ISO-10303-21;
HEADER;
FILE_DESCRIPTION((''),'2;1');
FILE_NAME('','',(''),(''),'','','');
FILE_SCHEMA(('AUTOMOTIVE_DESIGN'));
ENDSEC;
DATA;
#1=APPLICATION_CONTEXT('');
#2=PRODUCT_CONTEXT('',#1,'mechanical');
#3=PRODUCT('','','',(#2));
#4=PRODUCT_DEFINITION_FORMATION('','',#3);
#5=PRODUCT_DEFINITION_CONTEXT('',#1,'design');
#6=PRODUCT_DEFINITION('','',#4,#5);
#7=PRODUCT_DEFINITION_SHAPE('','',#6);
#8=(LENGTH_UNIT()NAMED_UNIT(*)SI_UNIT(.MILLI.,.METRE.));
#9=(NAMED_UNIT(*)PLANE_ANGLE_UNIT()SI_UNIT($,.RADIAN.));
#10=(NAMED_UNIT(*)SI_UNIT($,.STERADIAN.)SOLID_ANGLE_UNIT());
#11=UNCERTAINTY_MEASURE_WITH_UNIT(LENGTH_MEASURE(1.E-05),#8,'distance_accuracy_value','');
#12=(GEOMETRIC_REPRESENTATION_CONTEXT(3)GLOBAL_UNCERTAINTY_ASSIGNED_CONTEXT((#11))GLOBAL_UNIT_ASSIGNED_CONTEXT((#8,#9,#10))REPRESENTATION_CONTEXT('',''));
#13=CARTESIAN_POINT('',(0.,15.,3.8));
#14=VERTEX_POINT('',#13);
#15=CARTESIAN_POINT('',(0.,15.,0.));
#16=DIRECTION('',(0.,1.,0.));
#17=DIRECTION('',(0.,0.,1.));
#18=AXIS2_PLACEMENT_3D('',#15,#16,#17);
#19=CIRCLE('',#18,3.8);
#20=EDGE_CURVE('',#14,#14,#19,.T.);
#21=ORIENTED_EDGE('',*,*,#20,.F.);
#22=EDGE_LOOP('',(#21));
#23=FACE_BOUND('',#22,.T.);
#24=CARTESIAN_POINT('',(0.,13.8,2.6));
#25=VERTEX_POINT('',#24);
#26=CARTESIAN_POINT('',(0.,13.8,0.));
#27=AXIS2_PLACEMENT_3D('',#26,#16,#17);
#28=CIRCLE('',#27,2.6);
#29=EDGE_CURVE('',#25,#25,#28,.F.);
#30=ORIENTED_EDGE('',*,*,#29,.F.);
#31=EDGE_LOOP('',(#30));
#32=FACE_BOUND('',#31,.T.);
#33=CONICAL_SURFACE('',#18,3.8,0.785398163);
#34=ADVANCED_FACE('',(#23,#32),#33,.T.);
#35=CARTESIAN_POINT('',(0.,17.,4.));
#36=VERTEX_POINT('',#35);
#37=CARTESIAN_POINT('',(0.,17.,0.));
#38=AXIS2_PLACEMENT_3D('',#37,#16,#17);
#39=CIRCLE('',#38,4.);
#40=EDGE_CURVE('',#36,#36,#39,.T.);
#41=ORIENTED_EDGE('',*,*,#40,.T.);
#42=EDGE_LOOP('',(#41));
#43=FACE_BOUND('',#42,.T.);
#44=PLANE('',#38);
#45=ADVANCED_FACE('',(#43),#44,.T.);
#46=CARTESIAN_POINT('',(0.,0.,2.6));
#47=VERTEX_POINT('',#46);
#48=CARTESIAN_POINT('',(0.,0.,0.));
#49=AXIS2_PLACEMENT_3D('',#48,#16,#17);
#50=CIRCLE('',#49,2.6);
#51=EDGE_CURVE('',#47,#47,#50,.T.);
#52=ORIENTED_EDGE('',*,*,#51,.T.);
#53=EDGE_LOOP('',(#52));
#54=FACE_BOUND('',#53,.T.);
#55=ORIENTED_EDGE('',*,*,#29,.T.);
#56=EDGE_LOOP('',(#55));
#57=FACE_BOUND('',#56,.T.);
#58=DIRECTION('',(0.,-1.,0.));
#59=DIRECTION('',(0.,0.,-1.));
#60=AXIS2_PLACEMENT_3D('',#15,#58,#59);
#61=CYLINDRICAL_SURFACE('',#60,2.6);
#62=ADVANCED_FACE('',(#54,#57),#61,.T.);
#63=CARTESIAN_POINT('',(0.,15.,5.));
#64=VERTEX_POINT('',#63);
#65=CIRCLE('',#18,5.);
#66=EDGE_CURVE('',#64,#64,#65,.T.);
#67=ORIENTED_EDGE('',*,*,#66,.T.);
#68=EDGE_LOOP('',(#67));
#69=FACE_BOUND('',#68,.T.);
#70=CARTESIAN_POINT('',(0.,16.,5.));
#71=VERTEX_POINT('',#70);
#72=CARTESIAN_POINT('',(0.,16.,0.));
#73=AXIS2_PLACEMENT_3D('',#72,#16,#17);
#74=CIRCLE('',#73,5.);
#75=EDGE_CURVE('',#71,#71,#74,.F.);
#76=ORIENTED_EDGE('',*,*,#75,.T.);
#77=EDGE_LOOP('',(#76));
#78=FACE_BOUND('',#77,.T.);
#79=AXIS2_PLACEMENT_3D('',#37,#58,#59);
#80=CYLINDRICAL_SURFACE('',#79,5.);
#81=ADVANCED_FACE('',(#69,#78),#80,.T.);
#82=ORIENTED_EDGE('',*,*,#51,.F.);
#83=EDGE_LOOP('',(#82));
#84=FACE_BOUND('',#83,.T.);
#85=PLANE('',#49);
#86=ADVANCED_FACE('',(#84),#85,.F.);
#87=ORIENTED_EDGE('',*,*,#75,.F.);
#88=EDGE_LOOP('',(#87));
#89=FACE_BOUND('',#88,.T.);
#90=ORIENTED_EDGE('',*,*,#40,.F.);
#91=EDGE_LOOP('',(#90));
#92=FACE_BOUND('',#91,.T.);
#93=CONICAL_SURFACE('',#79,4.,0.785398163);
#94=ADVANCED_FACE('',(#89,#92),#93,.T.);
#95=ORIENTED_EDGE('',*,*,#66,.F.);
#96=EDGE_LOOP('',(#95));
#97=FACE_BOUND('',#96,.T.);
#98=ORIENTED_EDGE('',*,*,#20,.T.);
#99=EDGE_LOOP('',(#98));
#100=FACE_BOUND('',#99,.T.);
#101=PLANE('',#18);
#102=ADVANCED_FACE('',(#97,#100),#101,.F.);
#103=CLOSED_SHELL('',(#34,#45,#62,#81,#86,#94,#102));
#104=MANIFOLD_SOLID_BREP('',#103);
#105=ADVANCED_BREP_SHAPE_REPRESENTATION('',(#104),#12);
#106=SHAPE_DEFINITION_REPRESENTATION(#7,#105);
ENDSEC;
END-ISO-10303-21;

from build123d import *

# Parameters (mm, degrees)
SKETCH1_R           = 2.6
BOSS_EXTRUDE1_DEPTH = 15
SKETCH2_R           = 5
BOSS_EXTRUDE2_DEPTH = 2
CHAMFER1_SIZE       = 1.2
CHAMFER2_SIZE       = 1


with BuildPart() as part:
    # Sketch1 → Boss-Extrude1 (new body)
    with BuildSketch(Plane(origin=(0, 0, 0), x_dir=(1, 0, 0), z_dir=(0, 1, 0))):
        Circle(SKETCH1_R)
    extrude(amount=BOSS_EXTRUDE1_DEPTH)

    # Sketch2 → Boss-Extrude2 (add)
    with BuildSketch(Plane(origin=(0, 15, 0), x_dir=(1, 0, 0), z_dir=(0, 1, 0))):
        Circle(SKETCH2_R)
    extrude(amount=BOSS_EXTRUDE2_DEPTH)

    # Chamfer1
    chamfer1_edges = [part.edges().sort_by_distance(p)[0] for p in [
        (-2.6, 15, 0),
    ]]
    chamfer(chamfer1_edges, length=CHAMFER1_SIZE)

    # Chamfer2
    chamfer2_edges = [part.edges().sort_by_distance(p)[0] for p in [
        (-5, 17, 0),
    ]]
    chamfer(chamfer2_edges, length=CHAMFER2_SIZE)


solid = part.part
